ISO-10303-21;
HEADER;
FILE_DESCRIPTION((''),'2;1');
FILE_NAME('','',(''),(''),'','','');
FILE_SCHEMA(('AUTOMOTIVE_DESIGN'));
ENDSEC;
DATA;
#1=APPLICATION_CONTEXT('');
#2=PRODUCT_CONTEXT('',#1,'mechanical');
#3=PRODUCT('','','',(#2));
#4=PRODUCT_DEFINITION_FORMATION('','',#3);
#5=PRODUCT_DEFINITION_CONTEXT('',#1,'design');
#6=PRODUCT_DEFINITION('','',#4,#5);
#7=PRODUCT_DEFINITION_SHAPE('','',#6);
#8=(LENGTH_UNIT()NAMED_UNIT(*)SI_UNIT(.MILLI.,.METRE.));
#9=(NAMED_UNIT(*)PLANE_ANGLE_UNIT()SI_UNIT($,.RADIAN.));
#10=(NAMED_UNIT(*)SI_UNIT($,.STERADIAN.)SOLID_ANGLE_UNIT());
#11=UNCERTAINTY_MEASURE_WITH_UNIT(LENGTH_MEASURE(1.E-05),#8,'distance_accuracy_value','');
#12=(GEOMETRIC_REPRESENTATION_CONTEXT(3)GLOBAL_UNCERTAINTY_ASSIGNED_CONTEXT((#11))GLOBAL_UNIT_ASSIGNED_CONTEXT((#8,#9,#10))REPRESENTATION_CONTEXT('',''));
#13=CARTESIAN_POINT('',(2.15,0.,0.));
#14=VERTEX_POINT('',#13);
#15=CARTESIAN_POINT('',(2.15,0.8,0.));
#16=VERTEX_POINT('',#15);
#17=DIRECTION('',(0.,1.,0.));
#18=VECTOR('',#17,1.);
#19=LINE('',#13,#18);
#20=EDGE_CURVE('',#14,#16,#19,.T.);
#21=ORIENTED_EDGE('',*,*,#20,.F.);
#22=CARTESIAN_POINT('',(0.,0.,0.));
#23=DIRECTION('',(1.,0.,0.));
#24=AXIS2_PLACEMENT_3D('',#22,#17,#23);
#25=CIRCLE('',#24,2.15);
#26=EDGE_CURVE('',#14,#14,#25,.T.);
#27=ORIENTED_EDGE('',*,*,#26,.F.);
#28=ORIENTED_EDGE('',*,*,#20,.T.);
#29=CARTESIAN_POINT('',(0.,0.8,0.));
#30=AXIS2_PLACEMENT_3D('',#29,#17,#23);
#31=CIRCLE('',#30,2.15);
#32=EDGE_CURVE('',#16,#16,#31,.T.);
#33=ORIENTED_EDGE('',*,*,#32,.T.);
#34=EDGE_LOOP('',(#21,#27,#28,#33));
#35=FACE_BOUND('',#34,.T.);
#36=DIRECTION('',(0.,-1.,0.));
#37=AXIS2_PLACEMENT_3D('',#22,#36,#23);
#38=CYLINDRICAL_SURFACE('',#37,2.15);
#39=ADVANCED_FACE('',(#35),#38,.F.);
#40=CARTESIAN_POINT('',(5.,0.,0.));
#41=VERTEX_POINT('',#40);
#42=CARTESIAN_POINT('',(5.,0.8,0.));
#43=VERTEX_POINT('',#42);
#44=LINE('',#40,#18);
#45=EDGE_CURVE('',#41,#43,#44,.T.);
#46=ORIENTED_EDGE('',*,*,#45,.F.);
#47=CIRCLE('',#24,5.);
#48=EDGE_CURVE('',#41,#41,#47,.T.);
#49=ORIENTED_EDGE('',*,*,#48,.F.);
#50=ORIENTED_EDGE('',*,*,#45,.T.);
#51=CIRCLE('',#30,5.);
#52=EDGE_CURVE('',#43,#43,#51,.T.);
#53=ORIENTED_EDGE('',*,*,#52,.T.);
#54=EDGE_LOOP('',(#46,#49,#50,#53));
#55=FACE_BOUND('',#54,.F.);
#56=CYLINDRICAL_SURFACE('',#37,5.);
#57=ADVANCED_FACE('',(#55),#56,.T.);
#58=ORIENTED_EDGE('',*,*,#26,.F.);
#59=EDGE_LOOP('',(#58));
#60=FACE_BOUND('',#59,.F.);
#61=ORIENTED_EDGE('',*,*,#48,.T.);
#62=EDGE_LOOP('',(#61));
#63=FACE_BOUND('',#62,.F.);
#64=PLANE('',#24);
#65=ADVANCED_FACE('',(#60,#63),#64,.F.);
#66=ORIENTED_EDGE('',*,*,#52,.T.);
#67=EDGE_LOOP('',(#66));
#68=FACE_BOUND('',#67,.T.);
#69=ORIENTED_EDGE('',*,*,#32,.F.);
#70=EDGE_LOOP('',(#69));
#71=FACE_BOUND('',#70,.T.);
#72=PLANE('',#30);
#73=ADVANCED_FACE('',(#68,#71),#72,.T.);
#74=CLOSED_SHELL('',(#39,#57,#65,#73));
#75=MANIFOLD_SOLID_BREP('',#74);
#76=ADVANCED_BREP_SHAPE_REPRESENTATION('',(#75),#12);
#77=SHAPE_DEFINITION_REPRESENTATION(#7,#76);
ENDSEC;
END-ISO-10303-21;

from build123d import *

# Parameters (mm, degrees)
SKETCH2_R           = 5
SKETCH2_R_2         = 2.15
BOSS_EXTRUDE1_DEPTH = 0.8


with BuildPart() as part:
    # Sketch2 → Boss-Extrude1 (new body)
    with BuildSketch(Plane(origin=(0, 0, 0), x_dir=(1, 0, 0), z_dir=(0, 1, 0))):
        Circle(SKETCH2_R)
        Circle(SKETCH2_R_2, mode=Mode.SUBTRACT)
    extrude(amount=BOSS_EXTRUDE1_DEPTH)


solid = part.part
